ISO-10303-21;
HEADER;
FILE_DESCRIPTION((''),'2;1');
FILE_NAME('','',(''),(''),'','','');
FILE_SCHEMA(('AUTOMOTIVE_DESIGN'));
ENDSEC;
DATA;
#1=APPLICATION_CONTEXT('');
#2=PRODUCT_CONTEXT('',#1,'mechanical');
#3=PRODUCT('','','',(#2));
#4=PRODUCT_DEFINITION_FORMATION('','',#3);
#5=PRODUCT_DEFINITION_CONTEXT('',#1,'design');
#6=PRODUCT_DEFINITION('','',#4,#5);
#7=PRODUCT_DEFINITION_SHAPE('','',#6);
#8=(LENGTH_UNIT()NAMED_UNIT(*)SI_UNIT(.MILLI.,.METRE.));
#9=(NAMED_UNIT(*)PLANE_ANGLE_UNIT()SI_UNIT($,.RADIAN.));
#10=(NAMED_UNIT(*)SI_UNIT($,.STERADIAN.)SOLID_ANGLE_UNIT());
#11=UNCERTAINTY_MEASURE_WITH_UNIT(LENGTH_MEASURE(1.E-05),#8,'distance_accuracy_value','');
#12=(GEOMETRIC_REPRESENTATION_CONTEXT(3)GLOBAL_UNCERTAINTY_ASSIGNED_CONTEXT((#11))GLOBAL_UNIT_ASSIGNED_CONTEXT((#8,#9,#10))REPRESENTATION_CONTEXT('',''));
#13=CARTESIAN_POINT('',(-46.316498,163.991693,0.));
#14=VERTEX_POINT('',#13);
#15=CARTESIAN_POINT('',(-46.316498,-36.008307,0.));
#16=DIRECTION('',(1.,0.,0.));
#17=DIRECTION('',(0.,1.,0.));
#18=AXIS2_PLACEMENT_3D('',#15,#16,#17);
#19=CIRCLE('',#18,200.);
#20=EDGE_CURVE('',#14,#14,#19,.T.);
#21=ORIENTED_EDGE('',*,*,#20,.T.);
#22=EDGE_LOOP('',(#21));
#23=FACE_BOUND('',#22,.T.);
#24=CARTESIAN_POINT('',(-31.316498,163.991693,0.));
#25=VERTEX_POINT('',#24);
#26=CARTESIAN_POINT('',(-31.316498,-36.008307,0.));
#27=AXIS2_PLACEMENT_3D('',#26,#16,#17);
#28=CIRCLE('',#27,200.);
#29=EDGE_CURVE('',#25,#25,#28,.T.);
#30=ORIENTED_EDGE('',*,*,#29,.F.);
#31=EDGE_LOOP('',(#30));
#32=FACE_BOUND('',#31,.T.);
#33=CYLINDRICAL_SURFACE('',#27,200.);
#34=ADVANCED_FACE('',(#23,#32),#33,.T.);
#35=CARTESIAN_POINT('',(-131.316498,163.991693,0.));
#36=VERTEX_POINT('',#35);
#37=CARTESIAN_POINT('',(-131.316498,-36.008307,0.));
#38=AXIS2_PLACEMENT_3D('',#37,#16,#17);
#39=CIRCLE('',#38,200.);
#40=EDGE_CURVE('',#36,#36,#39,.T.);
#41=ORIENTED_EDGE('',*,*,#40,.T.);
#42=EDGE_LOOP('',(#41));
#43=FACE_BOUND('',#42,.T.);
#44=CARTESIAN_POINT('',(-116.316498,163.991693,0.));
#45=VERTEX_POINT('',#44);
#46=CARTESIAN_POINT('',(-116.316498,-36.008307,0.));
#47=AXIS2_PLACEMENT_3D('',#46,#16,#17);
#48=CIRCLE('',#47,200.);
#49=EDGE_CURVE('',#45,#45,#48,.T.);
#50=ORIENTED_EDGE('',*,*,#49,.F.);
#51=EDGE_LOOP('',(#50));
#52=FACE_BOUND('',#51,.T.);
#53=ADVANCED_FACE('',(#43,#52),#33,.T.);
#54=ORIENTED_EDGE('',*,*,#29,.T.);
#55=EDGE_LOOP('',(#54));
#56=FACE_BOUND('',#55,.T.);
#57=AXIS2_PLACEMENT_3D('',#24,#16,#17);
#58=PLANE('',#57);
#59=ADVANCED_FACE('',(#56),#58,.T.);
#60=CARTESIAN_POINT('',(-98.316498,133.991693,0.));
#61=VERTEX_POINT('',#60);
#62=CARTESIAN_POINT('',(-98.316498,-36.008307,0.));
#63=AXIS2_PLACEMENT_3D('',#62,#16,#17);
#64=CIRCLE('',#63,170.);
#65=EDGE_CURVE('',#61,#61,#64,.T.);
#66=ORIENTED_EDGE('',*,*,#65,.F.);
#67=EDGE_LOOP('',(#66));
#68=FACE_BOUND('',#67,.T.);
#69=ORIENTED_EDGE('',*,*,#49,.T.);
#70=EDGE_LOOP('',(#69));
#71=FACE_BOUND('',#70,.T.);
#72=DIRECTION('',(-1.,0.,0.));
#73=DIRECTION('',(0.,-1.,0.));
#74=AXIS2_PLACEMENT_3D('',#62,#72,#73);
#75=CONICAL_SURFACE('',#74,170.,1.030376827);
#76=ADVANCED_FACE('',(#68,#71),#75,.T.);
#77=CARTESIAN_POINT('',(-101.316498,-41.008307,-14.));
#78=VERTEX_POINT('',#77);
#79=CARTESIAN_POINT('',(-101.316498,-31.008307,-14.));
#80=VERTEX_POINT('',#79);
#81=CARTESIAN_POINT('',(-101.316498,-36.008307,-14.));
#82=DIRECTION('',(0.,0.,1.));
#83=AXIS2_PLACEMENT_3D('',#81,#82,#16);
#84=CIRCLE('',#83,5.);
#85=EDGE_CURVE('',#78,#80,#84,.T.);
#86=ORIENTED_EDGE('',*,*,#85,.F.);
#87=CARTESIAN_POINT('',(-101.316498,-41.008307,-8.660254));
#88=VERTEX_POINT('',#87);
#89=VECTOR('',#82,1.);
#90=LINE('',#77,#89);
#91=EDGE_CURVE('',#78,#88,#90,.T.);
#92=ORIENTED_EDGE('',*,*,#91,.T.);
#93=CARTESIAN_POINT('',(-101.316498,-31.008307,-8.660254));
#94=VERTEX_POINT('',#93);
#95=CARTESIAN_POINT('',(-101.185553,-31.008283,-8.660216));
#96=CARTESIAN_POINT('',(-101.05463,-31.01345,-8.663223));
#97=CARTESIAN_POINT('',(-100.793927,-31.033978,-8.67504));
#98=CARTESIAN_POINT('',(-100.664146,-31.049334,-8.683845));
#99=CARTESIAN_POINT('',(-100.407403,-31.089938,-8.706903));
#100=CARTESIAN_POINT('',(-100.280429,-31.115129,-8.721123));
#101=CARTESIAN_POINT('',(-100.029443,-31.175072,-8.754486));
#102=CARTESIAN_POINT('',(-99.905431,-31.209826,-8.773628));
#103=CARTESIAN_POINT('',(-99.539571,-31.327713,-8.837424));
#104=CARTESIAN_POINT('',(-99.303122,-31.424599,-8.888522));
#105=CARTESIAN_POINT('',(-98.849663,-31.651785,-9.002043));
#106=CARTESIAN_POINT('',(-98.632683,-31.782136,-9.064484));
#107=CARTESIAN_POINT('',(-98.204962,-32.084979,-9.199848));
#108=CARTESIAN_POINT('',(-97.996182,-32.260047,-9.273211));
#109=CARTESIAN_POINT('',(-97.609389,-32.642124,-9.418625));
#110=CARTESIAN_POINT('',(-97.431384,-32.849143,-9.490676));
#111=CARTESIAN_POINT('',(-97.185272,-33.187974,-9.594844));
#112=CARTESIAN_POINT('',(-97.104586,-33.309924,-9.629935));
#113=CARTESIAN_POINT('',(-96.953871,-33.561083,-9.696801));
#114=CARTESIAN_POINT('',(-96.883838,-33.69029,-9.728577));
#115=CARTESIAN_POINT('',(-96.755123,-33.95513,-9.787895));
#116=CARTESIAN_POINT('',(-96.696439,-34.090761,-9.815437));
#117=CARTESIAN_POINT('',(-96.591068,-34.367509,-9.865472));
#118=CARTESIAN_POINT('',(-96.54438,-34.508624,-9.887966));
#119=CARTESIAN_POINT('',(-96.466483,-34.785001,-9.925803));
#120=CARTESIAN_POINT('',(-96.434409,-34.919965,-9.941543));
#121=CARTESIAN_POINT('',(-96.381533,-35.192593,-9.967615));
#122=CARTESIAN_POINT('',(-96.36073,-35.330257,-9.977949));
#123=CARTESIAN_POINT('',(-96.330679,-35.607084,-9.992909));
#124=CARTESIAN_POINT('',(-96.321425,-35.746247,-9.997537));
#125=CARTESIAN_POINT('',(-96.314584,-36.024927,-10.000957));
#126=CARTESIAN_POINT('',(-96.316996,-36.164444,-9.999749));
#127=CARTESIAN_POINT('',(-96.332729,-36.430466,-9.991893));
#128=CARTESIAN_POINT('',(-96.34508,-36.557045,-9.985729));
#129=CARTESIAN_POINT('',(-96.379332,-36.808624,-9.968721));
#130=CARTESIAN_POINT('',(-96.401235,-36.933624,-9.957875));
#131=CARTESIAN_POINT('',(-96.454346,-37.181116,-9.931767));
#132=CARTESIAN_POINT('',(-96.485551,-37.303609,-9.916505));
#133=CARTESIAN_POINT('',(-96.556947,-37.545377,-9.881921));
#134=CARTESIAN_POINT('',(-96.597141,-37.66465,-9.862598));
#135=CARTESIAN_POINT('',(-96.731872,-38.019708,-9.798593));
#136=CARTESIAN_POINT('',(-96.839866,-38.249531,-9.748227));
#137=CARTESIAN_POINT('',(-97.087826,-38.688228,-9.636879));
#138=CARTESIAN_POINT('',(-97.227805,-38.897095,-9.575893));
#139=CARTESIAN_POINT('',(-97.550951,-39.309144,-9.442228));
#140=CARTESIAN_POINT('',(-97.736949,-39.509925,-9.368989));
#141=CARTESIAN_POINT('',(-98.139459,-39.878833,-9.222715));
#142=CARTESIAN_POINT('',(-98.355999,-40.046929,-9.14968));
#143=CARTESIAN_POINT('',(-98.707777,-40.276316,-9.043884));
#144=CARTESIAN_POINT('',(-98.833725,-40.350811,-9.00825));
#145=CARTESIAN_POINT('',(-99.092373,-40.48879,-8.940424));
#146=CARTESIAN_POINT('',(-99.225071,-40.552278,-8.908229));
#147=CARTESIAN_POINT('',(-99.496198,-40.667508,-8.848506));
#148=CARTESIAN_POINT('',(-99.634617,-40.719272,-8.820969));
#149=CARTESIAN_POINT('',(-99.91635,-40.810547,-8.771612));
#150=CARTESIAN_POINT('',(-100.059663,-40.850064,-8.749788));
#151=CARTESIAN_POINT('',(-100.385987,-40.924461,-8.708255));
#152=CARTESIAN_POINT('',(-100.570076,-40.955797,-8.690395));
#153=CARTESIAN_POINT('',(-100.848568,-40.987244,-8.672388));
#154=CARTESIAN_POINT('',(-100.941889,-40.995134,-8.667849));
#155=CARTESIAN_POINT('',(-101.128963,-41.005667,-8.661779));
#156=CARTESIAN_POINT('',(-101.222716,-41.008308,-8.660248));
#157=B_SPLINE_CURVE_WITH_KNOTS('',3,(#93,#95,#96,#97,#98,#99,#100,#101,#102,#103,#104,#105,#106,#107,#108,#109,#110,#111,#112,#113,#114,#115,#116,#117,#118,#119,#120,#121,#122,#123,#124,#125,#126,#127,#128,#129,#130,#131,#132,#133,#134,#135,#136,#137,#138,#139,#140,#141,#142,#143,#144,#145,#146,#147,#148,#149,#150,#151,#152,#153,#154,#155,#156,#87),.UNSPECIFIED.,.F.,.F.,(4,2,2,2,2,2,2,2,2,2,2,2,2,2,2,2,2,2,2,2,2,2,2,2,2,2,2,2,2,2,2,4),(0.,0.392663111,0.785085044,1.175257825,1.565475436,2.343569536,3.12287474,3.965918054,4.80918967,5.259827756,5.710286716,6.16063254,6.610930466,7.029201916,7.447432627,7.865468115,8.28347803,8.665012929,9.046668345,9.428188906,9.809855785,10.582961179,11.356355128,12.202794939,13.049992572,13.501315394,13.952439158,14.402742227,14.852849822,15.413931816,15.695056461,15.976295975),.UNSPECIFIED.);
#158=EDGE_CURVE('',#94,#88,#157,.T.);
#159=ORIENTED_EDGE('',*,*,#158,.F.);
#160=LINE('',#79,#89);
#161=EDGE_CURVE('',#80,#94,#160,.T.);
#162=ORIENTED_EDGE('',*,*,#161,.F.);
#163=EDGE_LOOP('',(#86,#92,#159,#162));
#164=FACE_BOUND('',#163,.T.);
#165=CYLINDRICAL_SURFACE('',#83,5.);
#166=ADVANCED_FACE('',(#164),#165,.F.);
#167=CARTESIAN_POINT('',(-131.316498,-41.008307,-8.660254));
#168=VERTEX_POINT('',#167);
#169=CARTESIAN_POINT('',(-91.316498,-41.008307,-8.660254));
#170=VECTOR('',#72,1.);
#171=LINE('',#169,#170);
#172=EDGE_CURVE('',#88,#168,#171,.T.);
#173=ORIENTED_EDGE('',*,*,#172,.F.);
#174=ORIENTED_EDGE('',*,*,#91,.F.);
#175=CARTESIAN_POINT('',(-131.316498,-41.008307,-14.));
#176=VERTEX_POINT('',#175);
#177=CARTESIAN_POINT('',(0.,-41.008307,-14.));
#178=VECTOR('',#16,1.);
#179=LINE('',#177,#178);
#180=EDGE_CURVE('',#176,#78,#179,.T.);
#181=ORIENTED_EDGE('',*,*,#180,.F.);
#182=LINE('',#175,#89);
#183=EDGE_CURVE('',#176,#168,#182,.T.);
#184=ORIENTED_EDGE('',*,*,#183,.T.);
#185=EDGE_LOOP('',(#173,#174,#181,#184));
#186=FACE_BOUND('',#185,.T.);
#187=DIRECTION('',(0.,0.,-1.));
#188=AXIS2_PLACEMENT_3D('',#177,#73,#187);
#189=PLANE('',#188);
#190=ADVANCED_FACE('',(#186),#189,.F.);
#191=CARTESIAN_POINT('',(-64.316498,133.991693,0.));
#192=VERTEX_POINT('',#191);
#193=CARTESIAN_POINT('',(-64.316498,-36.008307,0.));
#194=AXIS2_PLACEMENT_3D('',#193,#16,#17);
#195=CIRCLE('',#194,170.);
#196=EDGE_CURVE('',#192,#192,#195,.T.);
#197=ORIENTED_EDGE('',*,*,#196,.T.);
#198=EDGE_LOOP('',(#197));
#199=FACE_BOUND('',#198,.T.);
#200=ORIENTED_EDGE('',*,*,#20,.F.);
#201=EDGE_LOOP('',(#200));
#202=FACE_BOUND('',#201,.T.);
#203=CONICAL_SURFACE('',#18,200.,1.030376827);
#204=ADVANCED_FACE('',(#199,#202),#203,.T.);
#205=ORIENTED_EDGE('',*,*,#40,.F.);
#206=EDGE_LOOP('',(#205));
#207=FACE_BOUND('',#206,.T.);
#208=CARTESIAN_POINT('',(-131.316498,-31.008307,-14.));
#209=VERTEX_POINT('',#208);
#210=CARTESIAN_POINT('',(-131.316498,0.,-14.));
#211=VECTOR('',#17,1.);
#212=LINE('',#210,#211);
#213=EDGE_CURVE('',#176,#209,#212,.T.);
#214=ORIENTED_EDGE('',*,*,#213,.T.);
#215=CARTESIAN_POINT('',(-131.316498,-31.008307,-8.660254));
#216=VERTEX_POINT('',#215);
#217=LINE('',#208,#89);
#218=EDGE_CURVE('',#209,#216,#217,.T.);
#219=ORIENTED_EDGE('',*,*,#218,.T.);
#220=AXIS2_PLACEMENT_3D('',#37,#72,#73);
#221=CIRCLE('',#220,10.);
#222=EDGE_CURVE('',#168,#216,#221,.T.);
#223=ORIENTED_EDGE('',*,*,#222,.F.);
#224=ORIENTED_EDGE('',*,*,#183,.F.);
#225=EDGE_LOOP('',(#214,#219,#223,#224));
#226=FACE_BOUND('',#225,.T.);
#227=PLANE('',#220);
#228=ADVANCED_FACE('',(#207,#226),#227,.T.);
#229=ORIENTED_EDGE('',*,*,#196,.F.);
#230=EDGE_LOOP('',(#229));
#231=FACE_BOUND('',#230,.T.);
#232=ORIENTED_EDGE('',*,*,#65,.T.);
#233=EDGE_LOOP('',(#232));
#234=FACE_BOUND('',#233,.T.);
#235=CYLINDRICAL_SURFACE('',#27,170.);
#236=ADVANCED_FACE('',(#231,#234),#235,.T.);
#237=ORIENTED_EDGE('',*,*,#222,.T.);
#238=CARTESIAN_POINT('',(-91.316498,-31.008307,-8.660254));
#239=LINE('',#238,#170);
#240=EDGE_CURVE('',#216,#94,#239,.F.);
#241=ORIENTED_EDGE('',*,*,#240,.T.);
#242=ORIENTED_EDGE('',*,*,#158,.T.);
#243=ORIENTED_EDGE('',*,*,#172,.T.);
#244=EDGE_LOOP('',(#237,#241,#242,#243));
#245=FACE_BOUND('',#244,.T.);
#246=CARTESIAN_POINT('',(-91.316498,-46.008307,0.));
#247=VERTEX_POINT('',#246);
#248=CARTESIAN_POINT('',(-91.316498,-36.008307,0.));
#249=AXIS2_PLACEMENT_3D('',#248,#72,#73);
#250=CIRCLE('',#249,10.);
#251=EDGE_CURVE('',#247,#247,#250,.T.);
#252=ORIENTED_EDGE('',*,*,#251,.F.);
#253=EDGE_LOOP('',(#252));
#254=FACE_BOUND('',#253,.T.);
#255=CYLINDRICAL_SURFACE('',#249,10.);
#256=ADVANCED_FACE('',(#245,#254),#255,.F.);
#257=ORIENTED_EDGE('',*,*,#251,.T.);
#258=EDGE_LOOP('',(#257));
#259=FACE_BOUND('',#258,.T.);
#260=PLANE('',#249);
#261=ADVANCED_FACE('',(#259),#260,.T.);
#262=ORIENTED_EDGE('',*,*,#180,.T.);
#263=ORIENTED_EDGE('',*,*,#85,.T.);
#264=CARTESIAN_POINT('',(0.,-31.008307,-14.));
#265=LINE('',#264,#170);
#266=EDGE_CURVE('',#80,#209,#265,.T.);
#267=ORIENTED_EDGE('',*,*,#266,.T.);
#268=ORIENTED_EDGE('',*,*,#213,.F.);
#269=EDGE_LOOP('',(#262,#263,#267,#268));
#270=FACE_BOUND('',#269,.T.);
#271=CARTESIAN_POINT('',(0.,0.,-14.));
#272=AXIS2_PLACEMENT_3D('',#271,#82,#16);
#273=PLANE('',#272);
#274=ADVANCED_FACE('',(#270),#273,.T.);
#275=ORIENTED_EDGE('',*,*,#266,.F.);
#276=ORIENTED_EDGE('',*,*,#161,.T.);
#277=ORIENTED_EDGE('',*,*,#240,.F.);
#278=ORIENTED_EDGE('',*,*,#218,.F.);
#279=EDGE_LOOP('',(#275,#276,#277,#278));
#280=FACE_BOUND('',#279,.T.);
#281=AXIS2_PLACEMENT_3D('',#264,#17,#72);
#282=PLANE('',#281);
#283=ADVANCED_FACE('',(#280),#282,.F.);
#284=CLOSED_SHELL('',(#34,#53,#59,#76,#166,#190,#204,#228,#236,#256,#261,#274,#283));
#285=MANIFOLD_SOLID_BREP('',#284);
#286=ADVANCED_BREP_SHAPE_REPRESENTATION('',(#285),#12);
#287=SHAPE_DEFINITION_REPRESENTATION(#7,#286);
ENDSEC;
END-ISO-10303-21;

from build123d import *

# Parameters (mm, degrees)
SKETCH_4_R          = 10
CUT_EXTRUDE_1_DEPTH = 40
CUT_EXTRUDE_5_DEPTH = 14
CUT_EXTRUDE_6_DEPTH = 14


with BuildPart() as part:
    # 草图1 → 旋转1 (revolve)
    with BuildSketch(Plane.XY):
        Polygon((-131.316498316, -36.008306789), (-131.316498316, 163.991693211), (-116.316498316, 163.991693211), (-98.316498316, 133.991693211), (-64.316498316, 133.991693211), (-46.316498316, 163.991693211), (-31.316498316, 163.991693211), (-31.316498316, -36.008306789), align=None)
    revolve(axis=Axis((-31.316498316, -36.008306789, 0), (-1, 0, 0)))

    # 草图4 → 切除-拉伸1 (cut)
    with BuildSketch(Plane.ZY.offset(131.316498316)):
        with Locations((0, -36.008306789)):
            Circle(SKETCH_4_R)
    extrude(amount=-CUT_EXTRUDE_1_DEPTH, mode=Mode.SUBTRACT)

    # 草图9 → 切除-拉伸5 (cut)
    with BuildSketch(Plane.XY):
        with BuildLine():
            Line((-101.316498316, -31.008306789), (-121.316498316, -31.008306789))
            ThreePointArc((-121.316498316, -31.008306789), (-126.316498316, -36.008306789), (-121.316498316, -41.008306789))
            Line((-121.316498316, -41.008306789), (-101.316498316, -41.008306789))
            ThreePointArc((-101.316498316, -41.008306789), (-96.316498316, -36.008306789), (-101.316498316, -31.008306789))
        make_face()
    extrude(amount=-CUT_EXTRUDE_5_DEPTH, mode=Mode.SUBTRACT)

    # 草图9<4> → 切除-拉伸6 (cut)
    with BuildSketch(Plane.XY):
        with BuildLine():
            ThreePointArc((-121.316498316, -41.008306789), (-126.316498316, -36.008306789), (-121.316498316, -31.008306789))
            Line((-121.316498316, -31.008306789), (-131.316498316, -31.008306789))
            Line((-131.316498316, -31.008306789), (-131.316498316, -41.008306789))
            Line((-131.316498316, -41.008306789), (-121.316498316, -41.008306789))
        make_face()
    extrude(amount=-CUT_EXTRUDE_6_DEPTH, mode=Mode.SUBTRACT)


solid = part.part
